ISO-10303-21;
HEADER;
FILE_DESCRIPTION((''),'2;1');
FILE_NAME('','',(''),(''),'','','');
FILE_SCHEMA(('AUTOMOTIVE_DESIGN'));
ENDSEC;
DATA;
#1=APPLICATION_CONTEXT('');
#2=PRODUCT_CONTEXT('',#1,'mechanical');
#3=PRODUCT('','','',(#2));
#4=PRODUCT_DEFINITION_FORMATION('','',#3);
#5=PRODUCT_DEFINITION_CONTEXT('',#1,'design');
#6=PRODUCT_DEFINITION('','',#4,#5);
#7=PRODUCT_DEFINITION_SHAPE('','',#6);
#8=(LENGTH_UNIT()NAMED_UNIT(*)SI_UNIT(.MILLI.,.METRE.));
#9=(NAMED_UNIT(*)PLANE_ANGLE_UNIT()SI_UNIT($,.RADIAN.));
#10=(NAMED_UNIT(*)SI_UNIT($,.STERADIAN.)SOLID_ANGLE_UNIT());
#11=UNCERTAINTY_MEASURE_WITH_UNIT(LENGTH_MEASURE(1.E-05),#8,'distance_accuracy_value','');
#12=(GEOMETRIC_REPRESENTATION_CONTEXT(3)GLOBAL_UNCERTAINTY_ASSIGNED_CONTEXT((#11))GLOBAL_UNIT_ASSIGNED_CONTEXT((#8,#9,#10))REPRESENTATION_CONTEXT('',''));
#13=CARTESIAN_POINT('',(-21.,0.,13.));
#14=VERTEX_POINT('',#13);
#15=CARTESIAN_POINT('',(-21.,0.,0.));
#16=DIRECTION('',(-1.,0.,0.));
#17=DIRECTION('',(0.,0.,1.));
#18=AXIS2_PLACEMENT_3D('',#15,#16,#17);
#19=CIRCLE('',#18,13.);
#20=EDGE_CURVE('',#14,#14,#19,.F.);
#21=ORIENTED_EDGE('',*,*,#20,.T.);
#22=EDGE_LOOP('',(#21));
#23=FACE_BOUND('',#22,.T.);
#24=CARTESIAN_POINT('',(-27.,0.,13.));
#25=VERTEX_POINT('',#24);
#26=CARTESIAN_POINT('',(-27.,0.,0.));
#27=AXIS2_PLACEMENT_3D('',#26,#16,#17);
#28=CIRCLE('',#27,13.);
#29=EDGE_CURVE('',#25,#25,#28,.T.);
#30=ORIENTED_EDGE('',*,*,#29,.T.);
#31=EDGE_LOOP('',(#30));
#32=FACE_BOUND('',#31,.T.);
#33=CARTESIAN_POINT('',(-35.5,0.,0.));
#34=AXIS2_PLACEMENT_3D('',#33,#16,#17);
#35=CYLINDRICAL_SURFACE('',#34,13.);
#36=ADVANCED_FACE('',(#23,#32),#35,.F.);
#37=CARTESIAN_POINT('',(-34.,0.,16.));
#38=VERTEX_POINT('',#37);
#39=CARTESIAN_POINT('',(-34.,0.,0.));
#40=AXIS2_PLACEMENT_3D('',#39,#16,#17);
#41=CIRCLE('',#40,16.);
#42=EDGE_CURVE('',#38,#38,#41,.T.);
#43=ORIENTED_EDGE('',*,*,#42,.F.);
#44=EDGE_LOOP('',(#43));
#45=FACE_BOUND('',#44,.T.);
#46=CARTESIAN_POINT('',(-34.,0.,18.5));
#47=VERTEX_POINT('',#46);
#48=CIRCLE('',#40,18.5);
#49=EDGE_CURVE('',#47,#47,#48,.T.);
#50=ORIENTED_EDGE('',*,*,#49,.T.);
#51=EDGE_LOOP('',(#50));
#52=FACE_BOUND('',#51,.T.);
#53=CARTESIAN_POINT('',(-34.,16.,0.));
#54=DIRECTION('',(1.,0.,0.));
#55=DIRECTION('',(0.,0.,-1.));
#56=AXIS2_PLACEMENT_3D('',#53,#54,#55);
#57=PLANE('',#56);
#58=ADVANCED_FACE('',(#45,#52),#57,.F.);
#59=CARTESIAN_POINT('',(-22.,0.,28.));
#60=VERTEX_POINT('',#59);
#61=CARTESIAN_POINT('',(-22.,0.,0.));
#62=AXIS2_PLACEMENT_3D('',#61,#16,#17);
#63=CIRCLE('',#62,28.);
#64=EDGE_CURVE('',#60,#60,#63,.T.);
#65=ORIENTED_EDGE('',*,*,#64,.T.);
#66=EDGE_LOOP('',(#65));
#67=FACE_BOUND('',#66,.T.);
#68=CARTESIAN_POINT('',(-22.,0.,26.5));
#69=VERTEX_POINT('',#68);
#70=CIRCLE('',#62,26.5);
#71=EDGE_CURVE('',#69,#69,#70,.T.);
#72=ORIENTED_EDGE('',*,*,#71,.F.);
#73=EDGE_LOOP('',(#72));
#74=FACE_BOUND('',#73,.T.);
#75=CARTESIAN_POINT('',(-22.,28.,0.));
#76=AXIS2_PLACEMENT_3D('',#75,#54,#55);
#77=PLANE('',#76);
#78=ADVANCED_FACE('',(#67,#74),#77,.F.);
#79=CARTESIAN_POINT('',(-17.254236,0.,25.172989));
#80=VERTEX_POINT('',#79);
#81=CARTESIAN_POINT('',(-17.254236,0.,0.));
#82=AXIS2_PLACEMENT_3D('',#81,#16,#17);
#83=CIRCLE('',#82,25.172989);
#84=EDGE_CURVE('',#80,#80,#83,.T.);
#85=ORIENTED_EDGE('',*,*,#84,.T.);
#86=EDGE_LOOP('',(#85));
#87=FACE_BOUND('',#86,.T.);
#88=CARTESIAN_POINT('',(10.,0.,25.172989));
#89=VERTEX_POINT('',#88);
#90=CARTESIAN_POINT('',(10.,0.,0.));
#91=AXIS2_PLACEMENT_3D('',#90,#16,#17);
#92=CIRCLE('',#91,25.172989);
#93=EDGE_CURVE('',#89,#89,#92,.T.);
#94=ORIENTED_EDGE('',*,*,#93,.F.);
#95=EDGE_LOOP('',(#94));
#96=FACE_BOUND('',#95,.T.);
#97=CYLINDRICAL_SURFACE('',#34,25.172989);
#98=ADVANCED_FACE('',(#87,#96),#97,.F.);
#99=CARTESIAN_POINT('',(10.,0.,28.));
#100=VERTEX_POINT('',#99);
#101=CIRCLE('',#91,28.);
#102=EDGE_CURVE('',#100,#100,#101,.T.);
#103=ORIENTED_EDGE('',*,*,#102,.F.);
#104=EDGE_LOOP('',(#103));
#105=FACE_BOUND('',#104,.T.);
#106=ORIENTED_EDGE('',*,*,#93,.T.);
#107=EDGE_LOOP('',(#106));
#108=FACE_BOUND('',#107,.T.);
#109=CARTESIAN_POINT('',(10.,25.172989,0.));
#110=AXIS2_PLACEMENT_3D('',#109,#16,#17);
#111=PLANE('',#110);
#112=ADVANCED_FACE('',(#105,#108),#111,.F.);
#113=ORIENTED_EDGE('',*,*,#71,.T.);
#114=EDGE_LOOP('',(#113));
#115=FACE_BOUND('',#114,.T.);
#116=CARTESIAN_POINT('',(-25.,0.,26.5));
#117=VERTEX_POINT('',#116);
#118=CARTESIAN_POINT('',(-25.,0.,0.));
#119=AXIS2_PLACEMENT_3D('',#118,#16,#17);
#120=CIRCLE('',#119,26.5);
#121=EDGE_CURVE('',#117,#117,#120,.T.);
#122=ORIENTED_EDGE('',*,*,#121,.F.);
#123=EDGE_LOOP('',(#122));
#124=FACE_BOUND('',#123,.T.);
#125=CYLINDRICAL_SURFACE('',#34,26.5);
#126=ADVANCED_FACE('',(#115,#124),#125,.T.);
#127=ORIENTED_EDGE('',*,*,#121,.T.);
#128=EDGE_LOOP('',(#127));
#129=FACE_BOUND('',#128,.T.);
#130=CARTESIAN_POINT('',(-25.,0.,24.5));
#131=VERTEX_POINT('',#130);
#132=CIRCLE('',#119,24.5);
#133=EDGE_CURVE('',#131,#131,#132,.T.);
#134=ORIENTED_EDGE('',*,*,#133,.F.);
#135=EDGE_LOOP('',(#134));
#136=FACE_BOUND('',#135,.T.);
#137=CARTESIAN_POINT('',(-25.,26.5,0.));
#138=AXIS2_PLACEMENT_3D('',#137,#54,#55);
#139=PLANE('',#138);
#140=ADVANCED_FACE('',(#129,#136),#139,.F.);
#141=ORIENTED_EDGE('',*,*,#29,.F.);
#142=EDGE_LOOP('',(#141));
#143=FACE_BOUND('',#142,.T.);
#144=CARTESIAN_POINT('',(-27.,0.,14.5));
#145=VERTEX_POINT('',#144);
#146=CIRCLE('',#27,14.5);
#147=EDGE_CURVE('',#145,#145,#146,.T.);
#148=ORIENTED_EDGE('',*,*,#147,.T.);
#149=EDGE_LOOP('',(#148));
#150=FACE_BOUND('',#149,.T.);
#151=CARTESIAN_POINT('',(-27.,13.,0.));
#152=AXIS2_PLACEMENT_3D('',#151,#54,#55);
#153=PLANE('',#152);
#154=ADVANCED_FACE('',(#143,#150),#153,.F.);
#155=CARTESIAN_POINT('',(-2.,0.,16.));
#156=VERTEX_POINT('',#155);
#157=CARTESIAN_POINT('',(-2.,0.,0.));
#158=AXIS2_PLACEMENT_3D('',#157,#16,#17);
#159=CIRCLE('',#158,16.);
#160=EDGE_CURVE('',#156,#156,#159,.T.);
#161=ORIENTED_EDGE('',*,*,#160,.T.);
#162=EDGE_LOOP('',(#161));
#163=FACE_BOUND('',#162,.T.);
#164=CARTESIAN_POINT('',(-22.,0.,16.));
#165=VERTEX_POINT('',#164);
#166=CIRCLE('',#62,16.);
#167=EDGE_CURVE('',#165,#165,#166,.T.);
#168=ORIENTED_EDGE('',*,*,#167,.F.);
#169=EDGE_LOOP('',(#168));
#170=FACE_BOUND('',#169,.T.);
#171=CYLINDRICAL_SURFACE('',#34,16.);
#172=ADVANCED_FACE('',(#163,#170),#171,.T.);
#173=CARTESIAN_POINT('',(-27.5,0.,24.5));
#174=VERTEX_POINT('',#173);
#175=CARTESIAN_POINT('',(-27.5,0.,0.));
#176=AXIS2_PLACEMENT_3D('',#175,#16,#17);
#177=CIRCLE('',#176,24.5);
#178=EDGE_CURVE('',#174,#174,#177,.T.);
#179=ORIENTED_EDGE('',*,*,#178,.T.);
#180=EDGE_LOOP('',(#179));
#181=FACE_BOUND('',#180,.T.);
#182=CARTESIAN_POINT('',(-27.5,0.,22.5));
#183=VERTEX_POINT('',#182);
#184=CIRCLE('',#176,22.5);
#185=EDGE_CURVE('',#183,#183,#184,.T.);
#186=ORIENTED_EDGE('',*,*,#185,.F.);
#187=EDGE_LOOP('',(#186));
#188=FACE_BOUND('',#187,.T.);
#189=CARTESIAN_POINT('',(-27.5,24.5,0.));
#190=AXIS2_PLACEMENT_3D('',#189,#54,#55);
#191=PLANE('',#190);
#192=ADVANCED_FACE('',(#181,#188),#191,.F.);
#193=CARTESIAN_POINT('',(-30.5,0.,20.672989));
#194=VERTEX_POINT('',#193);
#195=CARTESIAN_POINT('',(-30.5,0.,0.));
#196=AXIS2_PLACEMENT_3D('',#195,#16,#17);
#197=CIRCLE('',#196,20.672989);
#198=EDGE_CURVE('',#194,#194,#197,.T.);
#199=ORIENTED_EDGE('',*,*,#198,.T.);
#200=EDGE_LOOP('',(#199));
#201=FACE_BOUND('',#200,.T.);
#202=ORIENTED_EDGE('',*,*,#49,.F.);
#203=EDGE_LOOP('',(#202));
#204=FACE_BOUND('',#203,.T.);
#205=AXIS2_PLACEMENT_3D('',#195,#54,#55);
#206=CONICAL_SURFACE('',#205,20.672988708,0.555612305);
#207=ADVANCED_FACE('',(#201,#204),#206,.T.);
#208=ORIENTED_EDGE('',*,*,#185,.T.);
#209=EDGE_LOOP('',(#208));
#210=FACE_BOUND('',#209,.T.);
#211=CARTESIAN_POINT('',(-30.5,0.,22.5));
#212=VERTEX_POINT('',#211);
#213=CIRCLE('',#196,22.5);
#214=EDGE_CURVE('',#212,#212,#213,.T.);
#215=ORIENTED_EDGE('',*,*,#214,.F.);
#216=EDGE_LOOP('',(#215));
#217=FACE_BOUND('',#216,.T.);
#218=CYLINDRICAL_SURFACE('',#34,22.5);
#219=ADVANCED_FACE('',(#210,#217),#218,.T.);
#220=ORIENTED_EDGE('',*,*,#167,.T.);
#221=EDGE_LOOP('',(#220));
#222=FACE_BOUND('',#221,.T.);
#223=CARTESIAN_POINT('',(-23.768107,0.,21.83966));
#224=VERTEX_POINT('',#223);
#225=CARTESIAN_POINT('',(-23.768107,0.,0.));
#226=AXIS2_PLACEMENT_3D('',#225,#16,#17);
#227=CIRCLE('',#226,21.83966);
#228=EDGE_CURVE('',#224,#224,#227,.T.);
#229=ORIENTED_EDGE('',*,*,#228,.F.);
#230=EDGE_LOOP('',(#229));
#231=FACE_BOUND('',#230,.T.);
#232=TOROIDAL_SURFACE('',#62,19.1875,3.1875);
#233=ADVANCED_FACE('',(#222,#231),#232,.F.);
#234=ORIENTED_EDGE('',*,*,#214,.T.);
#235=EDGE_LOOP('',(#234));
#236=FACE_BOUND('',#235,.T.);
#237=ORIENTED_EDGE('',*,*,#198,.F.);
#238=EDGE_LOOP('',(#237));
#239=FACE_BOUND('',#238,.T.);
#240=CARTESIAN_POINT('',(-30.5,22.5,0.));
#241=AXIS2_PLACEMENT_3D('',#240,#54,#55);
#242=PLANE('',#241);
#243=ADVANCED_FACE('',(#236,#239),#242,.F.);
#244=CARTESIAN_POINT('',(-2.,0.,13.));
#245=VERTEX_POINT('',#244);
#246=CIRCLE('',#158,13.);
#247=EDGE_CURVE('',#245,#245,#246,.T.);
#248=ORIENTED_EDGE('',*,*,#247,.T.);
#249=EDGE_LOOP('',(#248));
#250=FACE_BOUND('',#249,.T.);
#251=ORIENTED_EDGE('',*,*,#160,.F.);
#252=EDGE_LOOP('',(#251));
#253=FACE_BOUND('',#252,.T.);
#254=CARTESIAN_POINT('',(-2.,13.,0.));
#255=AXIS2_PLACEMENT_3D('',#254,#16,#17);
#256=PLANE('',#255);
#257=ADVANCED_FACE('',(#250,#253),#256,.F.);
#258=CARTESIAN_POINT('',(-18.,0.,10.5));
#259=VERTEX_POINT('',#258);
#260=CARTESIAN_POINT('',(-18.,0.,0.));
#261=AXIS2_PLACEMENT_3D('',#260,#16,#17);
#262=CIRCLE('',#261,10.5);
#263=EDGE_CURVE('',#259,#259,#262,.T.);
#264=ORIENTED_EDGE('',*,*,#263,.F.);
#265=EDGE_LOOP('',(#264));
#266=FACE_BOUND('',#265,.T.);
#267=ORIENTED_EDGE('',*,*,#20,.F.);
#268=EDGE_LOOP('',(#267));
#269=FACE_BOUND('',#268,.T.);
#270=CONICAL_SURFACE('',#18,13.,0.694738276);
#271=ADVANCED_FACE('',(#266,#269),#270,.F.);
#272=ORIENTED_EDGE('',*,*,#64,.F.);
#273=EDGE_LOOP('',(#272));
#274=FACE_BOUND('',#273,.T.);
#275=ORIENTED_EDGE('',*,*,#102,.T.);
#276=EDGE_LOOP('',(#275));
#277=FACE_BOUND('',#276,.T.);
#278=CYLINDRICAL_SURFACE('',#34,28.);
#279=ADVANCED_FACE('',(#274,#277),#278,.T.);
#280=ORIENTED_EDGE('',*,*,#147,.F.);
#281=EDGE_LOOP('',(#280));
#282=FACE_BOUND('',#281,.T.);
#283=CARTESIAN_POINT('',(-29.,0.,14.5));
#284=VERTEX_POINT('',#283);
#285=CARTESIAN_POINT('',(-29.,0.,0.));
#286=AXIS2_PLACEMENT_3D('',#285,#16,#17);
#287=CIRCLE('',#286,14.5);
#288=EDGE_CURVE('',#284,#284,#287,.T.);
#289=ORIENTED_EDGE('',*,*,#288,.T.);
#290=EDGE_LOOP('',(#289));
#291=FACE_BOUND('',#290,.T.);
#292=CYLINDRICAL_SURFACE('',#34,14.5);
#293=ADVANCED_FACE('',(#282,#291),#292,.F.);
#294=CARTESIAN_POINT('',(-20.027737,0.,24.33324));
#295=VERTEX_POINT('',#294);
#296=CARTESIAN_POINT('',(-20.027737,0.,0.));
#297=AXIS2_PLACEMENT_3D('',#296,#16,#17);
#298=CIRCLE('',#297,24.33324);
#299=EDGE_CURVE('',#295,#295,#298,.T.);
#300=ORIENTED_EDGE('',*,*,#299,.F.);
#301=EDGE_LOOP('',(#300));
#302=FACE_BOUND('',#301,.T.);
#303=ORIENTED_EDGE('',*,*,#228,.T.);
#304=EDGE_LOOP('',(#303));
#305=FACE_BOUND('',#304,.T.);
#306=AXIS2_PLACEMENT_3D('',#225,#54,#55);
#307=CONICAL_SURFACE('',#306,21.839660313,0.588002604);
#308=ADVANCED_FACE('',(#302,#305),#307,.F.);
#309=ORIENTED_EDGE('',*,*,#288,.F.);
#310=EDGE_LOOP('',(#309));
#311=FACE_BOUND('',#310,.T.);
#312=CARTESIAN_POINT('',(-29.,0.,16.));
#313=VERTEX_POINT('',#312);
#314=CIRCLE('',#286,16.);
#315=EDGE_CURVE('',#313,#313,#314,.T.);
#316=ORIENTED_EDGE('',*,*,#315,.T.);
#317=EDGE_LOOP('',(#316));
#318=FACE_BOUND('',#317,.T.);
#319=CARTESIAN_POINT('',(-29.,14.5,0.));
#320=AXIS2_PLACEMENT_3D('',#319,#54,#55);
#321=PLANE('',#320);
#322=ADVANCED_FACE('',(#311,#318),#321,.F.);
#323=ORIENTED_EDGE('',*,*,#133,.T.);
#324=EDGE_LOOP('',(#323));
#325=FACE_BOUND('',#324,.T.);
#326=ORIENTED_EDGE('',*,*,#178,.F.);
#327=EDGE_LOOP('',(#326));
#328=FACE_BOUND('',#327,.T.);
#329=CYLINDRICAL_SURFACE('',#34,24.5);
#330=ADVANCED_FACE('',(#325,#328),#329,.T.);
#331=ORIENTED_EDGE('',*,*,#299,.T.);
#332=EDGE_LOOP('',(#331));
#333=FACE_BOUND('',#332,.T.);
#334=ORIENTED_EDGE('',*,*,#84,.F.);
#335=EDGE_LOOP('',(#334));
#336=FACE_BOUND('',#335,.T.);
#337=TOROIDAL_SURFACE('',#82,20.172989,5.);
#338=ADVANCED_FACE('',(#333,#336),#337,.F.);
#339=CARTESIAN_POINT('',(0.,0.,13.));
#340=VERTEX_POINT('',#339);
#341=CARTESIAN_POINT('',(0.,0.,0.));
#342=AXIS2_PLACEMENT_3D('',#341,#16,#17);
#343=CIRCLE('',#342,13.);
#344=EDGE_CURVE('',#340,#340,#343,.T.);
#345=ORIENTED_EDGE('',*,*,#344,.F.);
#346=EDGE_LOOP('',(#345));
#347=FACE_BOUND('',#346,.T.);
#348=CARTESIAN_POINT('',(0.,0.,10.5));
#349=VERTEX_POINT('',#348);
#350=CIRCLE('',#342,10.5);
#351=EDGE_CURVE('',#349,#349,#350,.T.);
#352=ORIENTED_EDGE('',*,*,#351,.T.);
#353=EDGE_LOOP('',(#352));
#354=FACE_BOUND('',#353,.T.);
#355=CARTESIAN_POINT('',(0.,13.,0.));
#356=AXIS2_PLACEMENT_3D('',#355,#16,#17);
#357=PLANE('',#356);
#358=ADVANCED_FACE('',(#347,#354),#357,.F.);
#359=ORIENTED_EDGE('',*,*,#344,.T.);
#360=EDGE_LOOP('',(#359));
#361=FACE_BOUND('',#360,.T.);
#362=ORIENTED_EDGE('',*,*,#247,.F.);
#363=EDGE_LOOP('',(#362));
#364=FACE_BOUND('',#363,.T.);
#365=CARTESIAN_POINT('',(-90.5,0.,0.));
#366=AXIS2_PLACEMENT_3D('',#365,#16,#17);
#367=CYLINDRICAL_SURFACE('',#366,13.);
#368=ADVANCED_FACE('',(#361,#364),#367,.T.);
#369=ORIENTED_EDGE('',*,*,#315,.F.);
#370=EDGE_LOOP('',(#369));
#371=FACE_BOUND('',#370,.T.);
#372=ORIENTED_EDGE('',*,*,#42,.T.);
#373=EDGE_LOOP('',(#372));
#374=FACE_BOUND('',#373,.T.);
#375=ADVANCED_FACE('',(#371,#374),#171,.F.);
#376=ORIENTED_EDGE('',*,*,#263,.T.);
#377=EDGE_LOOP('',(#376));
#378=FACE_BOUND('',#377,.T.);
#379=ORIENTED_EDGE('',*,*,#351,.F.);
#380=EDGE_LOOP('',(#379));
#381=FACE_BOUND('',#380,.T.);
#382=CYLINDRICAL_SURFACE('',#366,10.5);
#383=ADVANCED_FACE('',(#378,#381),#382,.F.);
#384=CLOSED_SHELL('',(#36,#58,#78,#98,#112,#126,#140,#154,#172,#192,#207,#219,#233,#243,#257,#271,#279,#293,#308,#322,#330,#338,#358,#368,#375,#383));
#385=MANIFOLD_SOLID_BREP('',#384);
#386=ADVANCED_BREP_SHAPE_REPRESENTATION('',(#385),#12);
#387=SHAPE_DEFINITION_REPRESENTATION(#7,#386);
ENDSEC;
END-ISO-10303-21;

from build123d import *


with BuildPart() as part:
    # Esquisse1 → Révolution1 (revolve)
    with BuildSketch(Plane.XY):
        Polygon((0, 10.5), (-18, 10.5), (-21, 13), (0, 13), align=None)
    revolve(axis=Axis((-90.5, 0, 0), (1, 0, 0)))

    # Esquisse2 → Révolution4 (revolve)
    with BuildSketch(Plane.XY):
        with BuildLine():
            Line((-2, 13), (-2, 16))
            Line((-2, 16), (-22, 16))
            ThreePointArc((-22, 16), (-25.050730834, 18.263813026), (-23.768106875, 21.839660313))
            Line((-23.768106875, 21.839660313), (-20.027737076, 24.33324018))
            ThreePointArc((-20.027737076, 24.33324018), (-18.703156838, 24.95844884), (-17.254236095, 25.172988708))
            Line((-17.254236095, 25.172988708), (10, 25.172988708))
            Line((10, 25.172988708), (10, 28))
            Line((10, 28), (-22, 28))
            Line((-22, 28), (-22, 26.5))
            Line((-22, 26.5), (-25, 26.5))
            Line((-25, 26.5), (-25, 24.5))
            Line((-25, 24.5), (-27.5, 24.5))
            Line((-27.5, 24.5), (-27.5, 22.5))
            Line((-27.5, 22.5), (-30.5, 22.5))
            Line((-30.5, 22.5), (-30.5, 20.672988708))
            Line((-30.5, 20.672988708), (-34, 18.5))
            Line((-34, 18.5), (-34, 16))
            Line((-34, 16), (-29, 16))
            Line((-29, 16), (-29, 14.5))
            Line((-29, 14.5), (-27, 14.5))
            Line((-27, 14.5), (-27, 13))
            Line((-27, 13), (-2, 13))
        make_face()
    revolve(axis=Axis((-35.5, 0, 0), (1, 0, 0)))


solid = part.part
